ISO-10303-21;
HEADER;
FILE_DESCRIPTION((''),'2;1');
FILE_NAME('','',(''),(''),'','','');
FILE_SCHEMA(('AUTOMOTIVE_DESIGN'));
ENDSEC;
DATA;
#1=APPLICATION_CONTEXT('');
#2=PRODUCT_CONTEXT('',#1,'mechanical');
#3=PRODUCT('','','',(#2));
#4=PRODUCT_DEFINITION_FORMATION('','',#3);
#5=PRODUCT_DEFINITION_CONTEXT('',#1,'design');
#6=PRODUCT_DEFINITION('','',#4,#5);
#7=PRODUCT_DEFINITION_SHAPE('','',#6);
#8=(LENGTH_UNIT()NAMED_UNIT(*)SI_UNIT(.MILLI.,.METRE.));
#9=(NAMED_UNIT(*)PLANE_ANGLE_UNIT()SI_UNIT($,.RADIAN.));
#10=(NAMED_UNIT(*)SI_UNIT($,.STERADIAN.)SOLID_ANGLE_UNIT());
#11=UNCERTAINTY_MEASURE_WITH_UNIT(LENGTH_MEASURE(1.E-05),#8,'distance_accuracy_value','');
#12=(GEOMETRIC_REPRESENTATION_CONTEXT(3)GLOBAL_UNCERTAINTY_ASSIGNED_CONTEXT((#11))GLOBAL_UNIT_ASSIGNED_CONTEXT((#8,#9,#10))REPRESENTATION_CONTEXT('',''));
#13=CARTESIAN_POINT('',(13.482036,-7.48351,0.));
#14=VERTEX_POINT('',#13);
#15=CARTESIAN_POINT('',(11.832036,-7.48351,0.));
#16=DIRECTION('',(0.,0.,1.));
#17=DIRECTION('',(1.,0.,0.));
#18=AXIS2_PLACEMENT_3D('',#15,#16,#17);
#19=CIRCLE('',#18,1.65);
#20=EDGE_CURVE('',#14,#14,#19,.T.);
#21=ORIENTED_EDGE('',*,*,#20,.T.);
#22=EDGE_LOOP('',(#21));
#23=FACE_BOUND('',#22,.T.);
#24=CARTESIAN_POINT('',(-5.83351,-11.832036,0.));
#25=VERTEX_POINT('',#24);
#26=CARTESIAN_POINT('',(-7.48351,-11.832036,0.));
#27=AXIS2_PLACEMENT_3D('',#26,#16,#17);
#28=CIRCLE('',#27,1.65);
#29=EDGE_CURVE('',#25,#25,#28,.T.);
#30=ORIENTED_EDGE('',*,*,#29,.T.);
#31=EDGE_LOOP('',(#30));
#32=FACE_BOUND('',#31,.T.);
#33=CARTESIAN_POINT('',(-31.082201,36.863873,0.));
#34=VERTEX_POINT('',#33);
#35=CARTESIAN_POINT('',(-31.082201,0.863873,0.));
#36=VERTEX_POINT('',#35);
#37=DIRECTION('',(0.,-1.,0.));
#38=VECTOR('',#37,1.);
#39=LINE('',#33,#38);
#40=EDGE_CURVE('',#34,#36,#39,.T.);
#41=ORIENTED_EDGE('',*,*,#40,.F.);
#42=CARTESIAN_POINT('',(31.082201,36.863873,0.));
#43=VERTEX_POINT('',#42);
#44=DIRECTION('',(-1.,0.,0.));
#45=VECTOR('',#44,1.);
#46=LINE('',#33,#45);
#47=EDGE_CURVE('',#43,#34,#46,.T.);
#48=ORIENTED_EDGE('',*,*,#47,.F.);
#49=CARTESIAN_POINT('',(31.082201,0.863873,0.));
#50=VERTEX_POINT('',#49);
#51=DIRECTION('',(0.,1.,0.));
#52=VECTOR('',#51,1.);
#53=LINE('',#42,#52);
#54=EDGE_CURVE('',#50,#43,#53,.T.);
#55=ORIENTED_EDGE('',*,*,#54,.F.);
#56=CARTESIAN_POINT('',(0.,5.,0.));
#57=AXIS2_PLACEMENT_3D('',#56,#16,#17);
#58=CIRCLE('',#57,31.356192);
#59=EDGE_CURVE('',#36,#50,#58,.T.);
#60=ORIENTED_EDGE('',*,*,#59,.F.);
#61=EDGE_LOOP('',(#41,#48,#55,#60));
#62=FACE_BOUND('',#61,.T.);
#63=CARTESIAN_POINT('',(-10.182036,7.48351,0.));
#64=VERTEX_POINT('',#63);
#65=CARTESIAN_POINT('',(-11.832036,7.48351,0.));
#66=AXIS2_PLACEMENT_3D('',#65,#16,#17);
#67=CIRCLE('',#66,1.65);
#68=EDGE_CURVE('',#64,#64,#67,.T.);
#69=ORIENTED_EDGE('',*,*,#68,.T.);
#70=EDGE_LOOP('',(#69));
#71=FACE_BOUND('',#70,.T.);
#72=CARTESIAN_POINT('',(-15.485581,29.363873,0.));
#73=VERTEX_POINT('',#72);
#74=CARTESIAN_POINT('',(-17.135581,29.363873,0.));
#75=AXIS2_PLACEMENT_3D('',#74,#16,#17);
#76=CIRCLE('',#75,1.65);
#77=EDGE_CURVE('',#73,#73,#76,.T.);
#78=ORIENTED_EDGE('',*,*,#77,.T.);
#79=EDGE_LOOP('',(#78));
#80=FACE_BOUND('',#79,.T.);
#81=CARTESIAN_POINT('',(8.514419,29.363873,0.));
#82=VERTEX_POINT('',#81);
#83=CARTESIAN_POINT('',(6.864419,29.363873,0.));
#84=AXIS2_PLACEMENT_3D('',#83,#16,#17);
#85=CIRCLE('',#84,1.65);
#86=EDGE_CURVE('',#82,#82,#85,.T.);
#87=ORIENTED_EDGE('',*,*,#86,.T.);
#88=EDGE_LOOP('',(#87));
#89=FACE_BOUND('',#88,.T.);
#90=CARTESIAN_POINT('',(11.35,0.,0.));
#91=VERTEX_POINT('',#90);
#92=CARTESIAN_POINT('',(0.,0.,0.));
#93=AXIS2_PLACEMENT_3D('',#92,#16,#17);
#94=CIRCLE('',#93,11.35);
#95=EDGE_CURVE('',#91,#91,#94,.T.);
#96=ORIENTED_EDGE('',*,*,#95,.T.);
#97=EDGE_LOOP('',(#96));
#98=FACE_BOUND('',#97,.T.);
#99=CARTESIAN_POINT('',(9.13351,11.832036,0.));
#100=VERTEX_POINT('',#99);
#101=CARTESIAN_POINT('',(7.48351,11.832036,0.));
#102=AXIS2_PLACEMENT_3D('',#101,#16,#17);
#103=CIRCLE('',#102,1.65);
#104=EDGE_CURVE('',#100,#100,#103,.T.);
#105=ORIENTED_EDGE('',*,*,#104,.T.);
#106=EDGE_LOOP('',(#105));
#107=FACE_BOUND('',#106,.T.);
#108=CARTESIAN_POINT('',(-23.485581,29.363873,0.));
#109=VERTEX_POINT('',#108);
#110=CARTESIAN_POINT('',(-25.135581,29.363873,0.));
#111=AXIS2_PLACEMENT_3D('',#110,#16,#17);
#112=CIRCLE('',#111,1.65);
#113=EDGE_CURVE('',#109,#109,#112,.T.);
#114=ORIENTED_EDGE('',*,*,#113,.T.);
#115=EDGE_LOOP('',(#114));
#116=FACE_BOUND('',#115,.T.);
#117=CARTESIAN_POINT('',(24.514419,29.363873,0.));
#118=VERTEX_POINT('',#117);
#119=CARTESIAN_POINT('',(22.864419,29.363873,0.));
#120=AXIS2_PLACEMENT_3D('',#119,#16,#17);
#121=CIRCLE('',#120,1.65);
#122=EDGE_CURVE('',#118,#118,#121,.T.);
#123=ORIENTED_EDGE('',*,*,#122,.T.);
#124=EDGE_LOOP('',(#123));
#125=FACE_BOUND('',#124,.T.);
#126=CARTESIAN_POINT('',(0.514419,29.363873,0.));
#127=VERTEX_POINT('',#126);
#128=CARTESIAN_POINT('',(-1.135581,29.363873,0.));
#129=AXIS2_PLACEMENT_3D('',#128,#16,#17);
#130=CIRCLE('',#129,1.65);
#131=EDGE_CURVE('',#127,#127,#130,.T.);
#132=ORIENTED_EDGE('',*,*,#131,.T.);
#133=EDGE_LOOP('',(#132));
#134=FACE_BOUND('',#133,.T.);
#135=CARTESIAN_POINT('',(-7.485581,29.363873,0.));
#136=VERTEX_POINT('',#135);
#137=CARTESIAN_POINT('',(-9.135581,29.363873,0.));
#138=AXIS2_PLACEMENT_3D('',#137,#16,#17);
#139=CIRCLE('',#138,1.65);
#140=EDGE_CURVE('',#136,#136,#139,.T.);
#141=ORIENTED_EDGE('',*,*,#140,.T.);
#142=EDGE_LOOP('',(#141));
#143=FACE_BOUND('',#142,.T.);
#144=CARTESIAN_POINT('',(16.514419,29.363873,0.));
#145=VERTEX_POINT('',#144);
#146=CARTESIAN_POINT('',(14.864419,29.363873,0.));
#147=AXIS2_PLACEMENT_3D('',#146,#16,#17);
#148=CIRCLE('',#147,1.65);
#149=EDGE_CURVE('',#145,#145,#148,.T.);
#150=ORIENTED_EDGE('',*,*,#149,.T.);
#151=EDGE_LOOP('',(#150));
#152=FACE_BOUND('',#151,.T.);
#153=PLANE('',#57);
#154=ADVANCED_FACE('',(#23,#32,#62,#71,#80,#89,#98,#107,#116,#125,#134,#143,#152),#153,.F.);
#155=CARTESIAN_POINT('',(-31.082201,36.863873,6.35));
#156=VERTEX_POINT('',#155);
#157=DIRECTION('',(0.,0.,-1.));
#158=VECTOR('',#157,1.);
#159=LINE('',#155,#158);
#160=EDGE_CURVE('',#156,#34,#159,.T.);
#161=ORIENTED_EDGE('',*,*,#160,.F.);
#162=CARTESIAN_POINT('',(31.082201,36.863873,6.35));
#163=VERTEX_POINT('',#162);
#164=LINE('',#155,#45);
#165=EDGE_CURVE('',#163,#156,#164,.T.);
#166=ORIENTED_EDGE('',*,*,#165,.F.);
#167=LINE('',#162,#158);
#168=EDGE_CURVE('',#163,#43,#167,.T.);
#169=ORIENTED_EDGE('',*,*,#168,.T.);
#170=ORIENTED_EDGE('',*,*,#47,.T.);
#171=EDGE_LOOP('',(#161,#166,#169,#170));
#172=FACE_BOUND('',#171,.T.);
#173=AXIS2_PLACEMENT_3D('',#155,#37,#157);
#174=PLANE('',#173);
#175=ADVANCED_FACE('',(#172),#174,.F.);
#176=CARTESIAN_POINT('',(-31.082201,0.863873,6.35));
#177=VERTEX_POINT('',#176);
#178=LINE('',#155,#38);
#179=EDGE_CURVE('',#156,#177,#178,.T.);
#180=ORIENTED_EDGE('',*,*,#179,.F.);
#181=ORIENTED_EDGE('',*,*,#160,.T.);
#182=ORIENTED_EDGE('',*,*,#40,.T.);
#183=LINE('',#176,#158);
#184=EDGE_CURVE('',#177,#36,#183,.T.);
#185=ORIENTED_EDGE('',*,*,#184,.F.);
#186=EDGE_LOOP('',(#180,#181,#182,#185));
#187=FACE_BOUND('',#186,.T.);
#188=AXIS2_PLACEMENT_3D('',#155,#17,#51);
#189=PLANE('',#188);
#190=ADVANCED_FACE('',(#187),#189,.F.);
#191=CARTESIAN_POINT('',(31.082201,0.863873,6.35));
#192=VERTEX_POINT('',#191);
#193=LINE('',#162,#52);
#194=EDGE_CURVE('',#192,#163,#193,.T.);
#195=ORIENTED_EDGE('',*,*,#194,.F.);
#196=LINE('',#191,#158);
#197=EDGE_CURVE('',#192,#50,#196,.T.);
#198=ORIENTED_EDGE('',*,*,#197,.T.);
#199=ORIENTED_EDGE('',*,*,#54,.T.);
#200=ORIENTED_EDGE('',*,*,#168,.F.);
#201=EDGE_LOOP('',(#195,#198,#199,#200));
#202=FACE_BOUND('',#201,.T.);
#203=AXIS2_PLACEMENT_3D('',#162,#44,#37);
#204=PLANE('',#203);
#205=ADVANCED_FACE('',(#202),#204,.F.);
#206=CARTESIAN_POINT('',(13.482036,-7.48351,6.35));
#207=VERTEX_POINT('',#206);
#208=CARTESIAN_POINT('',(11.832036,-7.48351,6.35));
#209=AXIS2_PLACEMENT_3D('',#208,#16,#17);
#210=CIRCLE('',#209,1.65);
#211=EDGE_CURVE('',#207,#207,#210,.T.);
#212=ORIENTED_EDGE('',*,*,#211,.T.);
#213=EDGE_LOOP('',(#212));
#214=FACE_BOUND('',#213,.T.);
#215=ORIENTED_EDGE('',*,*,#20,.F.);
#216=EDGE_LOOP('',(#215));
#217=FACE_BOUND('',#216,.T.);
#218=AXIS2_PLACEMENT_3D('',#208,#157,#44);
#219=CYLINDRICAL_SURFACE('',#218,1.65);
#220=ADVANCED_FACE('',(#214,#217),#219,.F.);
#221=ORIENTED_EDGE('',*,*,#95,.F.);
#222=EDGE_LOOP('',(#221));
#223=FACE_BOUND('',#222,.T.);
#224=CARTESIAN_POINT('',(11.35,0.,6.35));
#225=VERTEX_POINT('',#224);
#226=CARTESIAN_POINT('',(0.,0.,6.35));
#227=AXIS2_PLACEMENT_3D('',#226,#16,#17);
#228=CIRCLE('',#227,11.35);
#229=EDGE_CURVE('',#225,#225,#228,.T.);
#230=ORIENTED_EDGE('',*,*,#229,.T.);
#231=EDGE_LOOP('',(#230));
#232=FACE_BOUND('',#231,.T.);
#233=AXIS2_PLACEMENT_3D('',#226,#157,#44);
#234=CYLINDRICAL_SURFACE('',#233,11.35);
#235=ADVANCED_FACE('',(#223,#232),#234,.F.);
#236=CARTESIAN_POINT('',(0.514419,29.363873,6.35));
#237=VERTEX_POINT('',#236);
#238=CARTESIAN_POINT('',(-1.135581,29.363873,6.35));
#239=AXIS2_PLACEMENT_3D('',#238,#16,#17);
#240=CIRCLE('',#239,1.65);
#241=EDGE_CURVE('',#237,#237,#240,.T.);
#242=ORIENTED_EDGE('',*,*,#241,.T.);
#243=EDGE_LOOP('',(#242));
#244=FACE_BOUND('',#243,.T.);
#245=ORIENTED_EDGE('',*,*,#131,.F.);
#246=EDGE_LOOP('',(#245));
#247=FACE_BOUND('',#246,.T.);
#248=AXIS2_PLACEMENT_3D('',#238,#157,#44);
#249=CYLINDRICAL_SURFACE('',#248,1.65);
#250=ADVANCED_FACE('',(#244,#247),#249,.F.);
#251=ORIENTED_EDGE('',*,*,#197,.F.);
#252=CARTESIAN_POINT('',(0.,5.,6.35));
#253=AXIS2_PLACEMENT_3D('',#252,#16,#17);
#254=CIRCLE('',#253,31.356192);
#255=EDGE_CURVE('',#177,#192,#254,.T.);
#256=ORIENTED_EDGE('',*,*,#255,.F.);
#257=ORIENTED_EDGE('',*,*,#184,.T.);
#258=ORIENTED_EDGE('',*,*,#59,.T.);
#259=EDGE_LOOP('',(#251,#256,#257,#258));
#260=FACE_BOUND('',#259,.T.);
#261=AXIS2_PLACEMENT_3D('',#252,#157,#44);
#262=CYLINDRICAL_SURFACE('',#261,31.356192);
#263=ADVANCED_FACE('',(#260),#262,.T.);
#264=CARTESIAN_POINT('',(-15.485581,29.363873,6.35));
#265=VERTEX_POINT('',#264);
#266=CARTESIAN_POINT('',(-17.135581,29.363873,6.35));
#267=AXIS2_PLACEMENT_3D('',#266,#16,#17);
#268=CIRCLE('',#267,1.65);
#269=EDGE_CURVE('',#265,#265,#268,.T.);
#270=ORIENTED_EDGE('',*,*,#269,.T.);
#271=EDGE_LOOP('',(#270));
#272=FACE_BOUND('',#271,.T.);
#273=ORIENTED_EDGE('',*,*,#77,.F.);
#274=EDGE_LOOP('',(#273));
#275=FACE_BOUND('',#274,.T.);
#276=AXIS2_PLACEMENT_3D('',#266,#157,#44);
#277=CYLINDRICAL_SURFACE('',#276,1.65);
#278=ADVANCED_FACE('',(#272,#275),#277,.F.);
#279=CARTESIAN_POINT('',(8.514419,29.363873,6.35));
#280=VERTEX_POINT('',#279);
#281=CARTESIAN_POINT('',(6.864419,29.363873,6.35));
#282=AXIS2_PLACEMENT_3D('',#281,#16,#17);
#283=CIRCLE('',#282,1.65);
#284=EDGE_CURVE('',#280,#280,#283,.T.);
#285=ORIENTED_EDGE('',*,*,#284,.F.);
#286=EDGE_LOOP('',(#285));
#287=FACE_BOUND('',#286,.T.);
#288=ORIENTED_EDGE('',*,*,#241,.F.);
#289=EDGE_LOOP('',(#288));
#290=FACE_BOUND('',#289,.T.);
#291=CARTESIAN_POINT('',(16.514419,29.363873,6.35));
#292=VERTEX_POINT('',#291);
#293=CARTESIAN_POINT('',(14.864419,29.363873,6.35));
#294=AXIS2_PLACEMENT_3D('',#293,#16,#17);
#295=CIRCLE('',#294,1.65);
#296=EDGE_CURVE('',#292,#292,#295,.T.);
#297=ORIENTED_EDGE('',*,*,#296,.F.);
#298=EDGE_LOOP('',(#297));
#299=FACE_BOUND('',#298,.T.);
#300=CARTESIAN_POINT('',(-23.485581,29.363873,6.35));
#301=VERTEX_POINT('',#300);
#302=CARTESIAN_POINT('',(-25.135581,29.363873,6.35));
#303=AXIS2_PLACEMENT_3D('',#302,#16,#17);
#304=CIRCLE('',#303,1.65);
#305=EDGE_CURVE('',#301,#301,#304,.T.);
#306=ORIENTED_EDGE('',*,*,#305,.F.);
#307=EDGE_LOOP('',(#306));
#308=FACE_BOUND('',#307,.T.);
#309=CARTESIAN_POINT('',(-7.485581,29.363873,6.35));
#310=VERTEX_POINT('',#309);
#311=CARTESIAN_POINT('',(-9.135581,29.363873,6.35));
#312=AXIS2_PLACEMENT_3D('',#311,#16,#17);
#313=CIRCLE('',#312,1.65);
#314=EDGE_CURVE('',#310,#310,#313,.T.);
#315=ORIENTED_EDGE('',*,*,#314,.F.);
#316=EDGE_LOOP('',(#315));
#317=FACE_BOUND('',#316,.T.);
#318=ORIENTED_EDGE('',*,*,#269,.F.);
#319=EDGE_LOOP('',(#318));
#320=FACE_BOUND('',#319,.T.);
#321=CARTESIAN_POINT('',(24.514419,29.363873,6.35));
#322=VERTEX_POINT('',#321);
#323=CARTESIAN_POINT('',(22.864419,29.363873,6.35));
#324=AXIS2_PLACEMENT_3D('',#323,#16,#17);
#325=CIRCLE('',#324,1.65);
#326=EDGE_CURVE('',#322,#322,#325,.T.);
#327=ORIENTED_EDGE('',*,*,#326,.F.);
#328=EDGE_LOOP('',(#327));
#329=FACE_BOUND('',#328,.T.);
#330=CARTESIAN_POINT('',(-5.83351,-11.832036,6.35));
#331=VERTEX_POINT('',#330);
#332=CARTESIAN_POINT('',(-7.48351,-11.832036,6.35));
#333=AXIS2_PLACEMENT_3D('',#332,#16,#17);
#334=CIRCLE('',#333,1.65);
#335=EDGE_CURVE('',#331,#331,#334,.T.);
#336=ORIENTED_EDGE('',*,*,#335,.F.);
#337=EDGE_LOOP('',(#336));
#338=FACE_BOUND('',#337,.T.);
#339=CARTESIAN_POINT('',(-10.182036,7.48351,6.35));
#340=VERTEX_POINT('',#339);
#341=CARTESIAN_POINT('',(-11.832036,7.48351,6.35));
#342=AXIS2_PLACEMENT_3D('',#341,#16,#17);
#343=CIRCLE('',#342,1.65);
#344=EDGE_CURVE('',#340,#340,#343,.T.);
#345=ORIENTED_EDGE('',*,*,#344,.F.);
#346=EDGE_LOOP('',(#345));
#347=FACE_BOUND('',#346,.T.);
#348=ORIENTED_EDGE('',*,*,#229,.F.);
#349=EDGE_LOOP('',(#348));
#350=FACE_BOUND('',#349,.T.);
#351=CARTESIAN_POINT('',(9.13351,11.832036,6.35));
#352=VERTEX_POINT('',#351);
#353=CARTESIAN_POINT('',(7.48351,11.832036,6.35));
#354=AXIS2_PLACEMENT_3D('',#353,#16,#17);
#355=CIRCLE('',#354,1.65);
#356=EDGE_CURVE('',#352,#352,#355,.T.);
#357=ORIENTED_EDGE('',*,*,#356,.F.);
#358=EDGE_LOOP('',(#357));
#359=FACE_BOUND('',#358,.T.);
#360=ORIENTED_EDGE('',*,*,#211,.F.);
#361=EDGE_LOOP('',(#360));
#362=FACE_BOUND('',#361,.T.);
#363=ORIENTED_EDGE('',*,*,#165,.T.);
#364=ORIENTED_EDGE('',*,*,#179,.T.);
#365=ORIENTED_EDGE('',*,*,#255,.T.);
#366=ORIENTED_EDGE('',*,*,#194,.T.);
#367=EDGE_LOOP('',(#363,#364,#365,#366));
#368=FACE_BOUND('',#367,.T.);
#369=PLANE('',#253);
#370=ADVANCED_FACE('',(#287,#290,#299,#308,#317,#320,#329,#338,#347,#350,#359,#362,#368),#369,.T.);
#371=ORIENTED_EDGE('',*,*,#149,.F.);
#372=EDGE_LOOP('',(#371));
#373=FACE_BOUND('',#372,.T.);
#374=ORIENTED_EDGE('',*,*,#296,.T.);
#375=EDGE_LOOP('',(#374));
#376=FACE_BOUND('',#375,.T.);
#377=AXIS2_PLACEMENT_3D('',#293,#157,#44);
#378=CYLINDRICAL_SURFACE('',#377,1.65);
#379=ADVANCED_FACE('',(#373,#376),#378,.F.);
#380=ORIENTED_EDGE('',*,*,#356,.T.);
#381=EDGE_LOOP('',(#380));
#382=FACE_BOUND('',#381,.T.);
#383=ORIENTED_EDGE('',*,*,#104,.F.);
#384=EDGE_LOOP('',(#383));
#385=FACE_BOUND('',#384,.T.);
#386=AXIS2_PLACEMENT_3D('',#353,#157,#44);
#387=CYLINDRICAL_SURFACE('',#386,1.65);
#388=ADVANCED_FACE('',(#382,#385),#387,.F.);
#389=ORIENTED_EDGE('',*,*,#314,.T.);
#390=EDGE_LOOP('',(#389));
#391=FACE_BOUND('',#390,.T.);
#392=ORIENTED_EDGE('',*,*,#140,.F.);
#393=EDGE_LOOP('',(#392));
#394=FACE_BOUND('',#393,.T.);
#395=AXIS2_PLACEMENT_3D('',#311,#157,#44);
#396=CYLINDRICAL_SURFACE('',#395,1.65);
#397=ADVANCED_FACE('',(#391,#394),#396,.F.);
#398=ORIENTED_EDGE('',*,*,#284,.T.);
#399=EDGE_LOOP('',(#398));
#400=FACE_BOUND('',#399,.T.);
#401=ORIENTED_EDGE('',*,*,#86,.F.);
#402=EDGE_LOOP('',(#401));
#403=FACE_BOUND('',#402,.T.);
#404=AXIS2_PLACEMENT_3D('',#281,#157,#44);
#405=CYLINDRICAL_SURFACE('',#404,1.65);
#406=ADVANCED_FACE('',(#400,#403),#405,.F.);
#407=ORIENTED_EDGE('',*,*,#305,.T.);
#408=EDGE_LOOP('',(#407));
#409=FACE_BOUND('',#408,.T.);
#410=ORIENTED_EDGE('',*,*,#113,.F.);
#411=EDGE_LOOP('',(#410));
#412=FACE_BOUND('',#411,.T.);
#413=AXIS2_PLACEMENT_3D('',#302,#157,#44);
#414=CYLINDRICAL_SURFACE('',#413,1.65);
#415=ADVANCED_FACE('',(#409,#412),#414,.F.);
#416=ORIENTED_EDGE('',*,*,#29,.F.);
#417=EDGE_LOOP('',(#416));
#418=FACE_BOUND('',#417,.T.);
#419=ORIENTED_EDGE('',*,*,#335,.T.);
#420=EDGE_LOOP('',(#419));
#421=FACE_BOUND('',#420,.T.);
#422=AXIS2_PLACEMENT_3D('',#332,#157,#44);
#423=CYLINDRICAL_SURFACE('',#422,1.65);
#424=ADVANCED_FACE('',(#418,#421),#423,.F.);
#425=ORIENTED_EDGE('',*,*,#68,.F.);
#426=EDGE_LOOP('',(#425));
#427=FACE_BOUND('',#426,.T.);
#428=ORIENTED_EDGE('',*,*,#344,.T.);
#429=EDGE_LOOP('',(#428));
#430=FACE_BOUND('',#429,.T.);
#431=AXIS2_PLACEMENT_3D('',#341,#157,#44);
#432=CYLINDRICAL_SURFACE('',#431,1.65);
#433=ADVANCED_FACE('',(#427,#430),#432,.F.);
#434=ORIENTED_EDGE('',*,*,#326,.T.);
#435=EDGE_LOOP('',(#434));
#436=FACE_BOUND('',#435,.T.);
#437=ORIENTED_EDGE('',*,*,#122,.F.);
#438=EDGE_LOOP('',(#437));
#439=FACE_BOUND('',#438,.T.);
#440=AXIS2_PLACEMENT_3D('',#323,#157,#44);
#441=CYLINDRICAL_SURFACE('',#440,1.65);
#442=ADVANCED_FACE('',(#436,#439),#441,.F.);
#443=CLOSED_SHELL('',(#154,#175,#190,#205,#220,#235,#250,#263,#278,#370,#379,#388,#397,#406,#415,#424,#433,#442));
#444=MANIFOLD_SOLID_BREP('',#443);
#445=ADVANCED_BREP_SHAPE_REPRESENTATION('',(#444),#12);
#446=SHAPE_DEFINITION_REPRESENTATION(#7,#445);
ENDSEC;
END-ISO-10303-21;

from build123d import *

# Parameters (mm, degrees)
SKETCH1_R           = 11.35
SKETCH1_R_2         = 1.65
BOSS_EXTRUDE1_DEPTH = 6.35


with BuildPart() as part:
    # Sketch1 → Boss-Extrude1 (new body)
    with BuildSketch(Plane.XY):
        with BuildLine():
            Line((-31.082201122, 36.863873201), (31.082201122, 36.863873201))
            Line((31.082201122, 36.863873201), (31.082201122, 0.863873201))
            ThreePointArc((31.082201122, 0.863873201), (0, -26.356191916), (-31.082201122, 0.863873201))
            Line((-31.082201122, 0.863873201), (-31.082201122, 36.863873201))
        make_face()
        Circle(SKETCH1_R, mode=Mode.SUBTRACT)
        with Locations((-11.832036089, 7.483510005)):
            Circle(SKETCH1_R_2, mode=Mode.SUBTRACT)
        with Locations((7.483510005, 11.832036089)):
            Circle(SKETCH1_R_2, mode=Mode.SUBTRACT)
        with Locations((11.832036089, -7.483510005)):
            Circle(SKETCH1_R_2, mode=Mode.SUBTRACT)
        with Locations((-7.483510005, -11.832036089)):
            Circle(SKETCH1_R_2, mode=Mode.SUBTRACT)
        with Locations((-25.135580542, 29.363873201)):
            Circle(SKETCH1_R_2, mode=Mode.SUBTRACT)
        with Locations((-17.135580542, 29.363873201)):
            Circle(SKETCH1_R_2, mode=Mode.SUBTRACT)
        with Locations((-9.135580542, 29.363873201)):
            Circle(SKETCH1_R_2, mode=Mode.SUBTRACT)
        with Locations((-1.135580542, 29.363873201)):
            Circle(SKETCH1_R_2, mode=Mode.SUBTRACT)
        with Locations((6.864419458, 29.363873201)):
            Circle(SKETCH1_R_2, mode=Mode.SUBTRACT)
        with Locations((14.864419458, 29.363873201)):
            Circle(SKETCH1_R_2, mode=Mode.SUBTRACT)
        with Locations((22.864419458, 29.363873201)):
            Circle(SKETCH1_R_2, mode=Mode.SUBTRACT)
    extrude(amount=BOSS_EXTRUDE1_DEPTH)


solid = part.part
